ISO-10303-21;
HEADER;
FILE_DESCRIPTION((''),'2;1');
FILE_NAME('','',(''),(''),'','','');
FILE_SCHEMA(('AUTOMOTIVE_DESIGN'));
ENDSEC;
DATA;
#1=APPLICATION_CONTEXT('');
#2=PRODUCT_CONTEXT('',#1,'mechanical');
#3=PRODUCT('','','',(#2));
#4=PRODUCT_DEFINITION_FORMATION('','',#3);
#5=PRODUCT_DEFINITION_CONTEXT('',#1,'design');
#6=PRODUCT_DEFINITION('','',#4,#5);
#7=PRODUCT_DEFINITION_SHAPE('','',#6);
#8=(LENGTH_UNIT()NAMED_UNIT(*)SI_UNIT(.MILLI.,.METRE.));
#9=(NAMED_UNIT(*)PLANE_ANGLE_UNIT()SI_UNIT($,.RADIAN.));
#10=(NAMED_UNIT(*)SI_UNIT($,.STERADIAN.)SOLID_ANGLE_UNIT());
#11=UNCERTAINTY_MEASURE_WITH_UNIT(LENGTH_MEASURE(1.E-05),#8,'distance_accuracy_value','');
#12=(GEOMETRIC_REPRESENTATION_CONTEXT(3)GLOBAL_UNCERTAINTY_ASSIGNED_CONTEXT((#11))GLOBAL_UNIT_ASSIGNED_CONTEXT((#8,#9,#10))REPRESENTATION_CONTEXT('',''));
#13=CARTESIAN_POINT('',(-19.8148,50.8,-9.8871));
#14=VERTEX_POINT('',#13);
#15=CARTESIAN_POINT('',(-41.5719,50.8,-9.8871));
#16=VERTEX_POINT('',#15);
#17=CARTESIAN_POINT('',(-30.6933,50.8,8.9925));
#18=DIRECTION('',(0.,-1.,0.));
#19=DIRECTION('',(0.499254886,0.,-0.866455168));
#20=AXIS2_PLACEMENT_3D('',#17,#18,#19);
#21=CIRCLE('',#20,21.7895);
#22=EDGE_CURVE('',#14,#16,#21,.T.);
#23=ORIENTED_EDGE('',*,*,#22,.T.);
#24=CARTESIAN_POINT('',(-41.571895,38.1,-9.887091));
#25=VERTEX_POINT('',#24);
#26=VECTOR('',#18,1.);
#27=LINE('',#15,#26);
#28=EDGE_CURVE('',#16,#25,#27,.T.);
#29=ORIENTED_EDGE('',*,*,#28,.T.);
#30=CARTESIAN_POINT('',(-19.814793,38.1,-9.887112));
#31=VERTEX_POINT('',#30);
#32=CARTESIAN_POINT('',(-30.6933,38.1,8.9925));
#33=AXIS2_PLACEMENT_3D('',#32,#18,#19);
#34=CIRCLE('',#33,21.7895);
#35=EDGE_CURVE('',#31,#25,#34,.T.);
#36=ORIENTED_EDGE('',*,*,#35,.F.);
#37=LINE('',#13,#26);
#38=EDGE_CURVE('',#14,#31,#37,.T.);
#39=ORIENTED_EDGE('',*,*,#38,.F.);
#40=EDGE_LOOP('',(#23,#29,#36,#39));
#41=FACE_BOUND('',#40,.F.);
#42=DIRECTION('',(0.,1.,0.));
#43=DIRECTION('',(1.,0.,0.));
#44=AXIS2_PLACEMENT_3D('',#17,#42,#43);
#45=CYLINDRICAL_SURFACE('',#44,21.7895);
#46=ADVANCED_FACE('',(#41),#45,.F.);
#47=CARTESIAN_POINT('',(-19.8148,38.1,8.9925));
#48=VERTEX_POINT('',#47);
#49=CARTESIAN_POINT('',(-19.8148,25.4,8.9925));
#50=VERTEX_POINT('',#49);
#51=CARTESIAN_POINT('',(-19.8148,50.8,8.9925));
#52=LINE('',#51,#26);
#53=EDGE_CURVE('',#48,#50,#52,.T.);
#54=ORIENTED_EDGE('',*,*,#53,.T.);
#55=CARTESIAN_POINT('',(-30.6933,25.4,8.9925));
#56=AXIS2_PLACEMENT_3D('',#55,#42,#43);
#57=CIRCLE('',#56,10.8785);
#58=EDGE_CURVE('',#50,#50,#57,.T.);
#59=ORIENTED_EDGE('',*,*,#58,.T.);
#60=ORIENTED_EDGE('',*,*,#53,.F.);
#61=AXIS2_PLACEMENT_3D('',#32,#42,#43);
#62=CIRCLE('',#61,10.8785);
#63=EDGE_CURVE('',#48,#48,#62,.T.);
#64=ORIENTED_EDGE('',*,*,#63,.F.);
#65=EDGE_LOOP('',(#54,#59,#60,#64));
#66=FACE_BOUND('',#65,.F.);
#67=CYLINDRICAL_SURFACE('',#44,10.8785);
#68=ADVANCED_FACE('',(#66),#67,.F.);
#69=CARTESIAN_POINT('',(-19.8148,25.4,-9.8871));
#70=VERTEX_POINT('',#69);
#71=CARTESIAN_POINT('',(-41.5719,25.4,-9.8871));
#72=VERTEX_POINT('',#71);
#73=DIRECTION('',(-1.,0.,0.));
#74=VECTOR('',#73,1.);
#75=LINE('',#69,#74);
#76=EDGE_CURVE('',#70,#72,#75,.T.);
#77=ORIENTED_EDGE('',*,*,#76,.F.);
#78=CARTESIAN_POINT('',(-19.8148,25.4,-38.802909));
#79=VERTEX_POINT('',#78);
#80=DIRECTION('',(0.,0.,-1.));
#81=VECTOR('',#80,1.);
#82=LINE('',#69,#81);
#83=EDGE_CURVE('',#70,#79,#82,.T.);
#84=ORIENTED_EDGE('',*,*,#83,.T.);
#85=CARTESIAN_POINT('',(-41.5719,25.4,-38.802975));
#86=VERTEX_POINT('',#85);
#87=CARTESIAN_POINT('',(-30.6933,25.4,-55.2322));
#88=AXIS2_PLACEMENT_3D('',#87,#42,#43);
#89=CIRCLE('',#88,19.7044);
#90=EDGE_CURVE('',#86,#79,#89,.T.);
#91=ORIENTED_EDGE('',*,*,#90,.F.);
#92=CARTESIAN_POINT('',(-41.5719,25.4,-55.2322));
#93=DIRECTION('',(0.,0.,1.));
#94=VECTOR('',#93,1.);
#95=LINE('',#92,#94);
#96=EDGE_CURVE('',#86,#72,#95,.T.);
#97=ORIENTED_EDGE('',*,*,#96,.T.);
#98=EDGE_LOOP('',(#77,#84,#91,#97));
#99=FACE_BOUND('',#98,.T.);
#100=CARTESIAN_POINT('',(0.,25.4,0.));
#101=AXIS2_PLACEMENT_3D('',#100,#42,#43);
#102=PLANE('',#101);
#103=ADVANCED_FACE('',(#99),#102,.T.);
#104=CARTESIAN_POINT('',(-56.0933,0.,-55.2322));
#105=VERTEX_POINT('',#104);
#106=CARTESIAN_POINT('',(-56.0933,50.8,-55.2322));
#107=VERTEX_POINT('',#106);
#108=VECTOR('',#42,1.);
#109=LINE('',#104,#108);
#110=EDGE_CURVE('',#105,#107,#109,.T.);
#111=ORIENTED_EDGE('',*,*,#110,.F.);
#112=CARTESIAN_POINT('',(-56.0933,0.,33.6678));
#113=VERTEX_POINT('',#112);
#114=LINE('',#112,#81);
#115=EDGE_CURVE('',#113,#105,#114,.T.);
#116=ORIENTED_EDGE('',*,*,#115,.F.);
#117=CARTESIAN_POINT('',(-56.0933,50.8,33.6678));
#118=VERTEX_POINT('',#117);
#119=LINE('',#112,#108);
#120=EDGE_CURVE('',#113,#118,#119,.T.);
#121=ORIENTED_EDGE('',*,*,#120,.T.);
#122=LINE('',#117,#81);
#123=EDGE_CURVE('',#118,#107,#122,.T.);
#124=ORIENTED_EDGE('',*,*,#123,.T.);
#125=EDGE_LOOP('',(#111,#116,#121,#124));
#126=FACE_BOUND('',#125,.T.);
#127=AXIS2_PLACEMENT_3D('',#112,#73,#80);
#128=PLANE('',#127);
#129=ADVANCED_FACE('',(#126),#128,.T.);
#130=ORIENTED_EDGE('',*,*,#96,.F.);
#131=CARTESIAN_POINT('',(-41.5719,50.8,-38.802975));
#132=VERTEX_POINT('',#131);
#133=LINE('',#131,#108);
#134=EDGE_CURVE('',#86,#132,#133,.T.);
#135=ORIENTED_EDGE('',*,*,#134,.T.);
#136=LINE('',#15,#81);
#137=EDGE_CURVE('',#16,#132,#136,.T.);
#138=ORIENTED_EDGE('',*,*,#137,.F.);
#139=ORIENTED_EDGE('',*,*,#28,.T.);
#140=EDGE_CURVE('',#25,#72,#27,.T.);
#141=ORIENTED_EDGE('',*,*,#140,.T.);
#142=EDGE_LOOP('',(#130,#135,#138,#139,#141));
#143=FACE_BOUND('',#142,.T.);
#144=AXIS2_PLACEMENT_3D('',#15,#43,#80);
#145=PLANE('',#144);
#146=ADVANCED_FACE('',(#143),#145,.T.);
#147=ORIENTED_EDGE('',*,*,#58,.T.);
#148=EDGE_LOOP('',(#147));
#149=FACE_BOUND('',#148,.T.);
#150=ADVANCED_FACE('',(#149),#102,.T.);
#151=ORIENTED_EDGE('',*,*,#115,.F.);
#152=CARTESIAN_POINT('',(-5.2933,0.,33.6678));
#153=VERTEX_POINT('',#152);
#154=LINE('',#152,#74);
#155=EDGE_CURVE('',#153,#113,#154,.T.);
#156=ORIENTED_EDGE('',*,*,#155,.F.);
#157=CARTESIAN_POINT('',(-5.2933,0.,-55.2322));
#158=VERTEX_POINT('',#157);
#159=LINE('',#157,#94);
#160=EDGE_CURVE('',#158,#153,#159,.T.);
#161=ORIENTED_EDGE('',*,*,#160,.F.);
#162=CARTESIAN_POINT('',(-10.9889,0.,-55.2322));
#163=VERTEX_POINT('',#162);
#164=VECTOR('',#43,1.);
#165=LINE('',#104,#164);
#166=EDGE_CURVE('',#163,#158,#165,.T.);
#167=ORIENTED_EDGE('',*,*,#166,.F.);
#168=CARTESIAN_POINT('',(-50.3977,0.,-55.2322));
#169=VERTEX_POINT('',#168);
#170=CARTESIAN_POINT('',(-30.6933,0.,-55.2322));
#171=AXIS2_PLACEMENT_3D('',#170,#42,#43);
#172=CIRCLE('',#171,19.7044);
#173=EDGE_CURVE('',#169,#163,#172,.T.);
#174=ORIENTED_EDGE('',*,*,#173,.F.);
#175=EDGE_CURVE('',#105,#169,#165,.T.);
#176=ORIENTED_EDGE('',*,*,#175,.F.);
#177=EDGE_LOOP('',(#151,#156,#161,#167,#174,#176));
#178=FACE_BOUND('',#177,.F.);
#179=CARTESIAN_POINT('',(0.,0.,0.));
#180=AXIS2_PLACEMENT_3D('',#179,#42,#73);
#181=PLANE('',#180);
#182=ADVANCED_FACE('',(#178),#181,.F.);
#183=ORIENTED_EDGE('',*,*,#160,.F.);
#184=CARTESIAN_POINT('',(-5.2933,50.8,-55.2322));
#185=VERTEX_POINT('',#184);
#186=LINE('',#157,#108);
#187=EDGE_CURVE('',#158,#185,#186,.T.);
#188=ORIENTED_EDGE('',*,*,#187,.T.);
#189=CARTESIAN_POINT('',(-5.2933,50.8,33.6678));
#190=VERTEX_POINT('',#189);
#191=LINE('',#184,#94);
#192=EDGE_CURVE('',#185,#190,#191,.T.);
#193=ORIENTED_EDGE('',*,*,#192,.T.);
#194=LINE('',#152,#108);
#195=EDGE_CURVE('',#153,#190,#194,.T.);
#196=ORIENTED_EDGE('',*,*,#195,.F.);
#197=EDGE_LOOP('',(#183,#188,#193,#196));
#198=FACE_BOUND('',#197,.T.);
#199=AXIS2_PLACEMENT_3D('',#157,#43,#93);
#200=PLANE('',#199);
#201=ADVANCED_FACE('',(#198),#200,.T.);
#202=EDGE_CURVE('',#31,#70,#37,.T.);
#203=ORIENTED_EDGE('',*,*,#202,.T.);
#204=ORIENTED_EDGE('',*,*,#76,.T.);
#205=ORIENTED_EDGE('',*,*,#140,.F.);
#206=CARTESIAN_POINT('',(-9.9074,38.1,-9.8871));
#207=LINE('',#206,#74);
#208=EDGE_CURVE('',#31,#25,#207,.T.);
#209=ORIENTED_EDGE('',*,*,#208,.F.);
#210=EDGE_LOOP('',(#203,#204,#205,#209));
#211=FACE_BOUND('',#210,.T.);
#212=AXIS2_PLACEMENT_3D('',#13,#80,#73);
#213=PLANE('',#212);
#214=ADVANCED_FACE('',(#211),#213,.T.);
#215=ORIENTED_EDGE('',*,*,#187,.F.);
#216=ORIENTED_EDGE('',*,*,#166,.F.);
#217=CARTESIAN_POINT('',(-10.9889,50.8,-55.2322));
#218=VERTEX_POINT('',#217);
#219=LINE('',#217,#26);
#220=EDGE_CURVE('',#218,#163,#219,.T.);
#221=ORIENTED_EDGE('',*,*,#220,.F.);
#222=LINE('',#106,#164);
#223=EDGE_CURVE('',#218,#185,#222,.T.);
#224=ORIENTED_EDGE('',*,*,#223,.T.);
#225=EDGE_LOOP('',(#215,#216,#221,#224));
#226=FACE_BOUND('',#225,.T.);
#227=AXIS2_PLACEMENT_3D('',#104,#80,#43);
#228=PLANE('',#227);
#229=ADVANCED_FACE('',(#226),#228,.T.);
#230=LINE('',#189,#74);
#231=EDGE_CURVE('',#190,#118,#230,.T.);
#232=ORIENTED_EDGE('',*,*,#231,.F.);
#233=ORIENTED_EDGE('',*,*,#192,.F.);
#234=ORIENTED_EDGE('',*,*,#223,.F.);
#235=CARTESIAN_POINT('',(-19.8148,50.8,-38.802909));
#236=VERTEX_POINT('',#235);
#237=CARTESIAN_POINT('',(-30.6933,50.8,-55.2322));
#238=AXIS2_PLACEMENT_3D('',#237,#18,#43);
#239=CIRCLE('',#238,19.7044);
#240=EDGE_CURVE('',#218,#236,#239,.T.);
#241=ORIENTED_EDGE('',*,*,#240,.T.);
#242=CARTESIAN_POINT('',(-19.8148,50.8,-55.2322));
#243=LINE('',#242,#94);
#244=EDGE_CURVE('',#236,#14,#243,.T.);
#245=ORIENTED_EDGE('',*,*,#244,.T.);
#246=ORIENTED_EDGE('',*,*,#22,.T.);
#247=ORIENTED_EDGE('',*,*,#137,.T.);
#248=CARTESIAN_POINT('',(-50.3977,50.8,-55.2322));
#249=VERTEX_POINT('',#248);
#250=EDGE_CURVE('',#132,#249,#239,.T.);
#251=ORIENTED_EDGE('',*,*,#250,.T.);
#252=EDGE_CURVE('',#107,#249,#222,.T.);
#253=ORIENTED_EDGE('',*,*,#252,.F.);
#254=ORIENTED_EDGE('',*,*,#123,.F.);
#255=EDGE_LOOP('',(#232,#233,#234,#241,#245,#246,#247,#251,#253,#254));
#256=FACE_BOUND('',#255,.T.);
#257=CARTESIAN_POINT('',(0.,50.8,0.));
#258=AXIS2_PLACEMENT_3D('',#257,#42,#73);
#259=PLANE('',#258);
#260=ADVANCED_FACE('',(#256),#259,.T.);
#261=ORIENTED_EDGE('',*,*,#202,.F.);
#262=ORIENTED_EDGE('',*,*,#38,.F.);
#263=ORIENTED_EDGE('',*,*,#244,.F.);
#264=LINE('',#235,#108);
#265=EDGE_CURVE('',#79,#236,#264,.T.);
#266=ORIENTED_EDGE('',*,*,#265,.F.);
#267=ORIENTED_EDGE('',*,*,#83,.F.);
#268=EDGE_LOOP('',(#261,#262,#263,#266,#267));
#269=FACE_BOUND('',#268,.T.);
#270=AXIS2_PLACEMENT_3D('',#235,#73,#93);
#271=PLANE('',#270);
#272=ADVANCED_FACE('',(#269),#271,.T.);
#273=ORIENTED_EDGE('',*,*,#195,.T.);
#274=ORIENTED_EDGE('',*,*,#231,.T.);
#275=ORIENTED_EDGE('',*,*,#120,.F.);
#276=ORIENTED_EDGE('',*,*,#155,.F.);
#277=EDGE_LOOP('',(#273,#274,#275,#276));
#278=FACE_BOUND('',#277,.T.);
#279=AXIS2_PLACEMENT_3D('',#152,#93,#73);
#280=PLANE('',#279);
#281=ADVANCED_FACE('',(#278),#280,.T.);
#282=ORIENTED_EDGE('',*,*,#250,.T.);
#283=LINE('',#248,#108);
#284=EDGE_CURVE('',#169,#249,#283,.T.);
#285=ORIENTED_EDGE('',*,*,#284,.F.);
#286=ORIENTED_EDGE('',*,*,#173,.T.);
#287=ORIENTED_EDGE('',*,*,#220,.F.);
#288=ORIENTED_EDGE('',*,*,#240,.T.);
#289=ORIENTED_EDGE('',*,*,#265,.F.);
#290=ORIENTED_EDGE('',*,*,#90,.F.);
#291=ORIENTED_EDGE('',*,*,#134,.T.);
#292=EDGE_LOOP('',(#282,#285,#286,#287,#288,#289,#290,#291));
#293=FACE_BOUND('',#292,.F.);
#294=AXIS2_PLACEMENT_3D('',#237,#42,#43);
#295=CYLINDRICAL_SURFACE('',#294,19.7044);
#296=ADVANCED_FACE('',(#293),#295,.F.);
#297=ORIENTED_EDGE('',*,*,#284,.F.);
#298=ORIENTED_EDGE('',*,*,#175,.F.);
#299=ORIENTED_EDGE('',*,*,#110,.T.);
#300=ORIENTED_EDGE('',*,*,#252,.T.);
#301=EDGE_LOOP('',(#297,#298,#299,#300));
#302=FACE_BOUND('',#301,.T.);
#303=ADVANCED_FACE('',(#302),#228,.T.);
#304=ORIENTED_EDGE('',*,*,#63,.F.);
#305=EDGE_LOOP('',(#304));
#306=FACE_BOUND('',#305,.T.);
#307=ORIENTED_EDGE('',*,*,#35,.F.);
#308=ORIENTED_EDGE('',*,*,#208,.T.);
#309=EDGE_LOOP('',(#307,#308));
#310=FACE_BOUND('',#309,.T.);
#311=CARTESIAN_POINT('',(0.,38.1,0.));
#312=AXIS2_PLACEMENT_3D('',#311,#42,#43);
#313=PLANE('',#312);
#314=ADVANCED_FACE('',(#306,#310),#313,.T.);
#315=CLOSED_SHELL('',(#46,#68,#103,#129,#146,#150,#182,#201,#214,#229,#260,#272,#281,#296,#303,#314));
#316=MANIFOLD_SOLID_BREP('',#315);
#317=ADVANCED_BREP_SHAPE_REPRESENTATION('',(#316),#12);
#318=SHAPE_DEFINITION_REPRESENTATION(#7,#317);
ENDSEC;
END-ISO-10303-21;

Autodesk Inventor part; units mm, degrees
ref_plane "YZ Plane" through (0, 0, 0) normal (1, 0, 0) x (0, 1, 0)
ref_plane "XZ Plane" through (0, 0, 0) normal (0, 1, 0) x (-1, 0, 0)
ref_plane "XY Plane" through (0, 0, 0) normal (0, 0, 1) x (1, 0, 0)
sketch "Sketch1" plane through (0, 0, 0) normal (0, 1, 0) x (-1, 0, 0)
  line L0 (5.2933, 33.6678) -> (56.0933, 33.6678)
  line L1 (56.0933, 33.6678) -> (56.0933, -55.2322)
  line L2 (56.0933, -55.2322) -> (5.2933, -55.2322)
  line L3 (5.2933, -55.2322) -> (5.2933, 33.6678)
  point P0 (0, 0)
  dimension "d0" = 50.8
  dimension "d1" = 88.9
extrude "Extrusion1" add sketch "Sketch1" along normal blind 50.8
sketch "Sketch2" plane through (0, 50.8, 0) normal (0, 1, 0) x (1, 0, 0)
  circle A0 centre (-30.6933, -8.9925) radius 21.7895
  circle A1 centre (-30.6933, -8.9925) radius 10.8785
  line L0 (-5.2933, 55.2322) -> (-56.0933, 55.2322) projected
  line L1 (-19.8148, 9.8871) -> (-41.5719, 9.8871)
  line L2 (-41.5719, 9.8871) -> (-41.5719, 55.2322)
  line L3 (-41.5719, 55.2322) -> (-19.8148, 55.2322)
  line L4 (-19.8148, 55.2322) -> (-19.8148, 9.8871)
  circle A2 centre (-30.6933, 55.2322) radius 19.7044
  point P0 (0, 0)
extrude "Extrusion2" cut sketch "Sketch2" against normal up to next contours A2 L2 L0 L4 | L4 L0 A2 | A2 L0 L2 | L0 A2
extrude "Extrusion3" cut sketch "Sketch2" against normal blind 12.7 contours A0 L1 | L1 A0
extrude "Extrusion4" cut sketch "Sketch2" against normal blind 25.4 contours A1
extrude "Extrusion5" cut sketch "Sketch2" against normal blind 25.4 contours L1 A0 | A0 L2 A2 L4 | A2 L2 L0 L4 picked at (-29.9354, 10.8174)
properties part number "7.2 part 2"
